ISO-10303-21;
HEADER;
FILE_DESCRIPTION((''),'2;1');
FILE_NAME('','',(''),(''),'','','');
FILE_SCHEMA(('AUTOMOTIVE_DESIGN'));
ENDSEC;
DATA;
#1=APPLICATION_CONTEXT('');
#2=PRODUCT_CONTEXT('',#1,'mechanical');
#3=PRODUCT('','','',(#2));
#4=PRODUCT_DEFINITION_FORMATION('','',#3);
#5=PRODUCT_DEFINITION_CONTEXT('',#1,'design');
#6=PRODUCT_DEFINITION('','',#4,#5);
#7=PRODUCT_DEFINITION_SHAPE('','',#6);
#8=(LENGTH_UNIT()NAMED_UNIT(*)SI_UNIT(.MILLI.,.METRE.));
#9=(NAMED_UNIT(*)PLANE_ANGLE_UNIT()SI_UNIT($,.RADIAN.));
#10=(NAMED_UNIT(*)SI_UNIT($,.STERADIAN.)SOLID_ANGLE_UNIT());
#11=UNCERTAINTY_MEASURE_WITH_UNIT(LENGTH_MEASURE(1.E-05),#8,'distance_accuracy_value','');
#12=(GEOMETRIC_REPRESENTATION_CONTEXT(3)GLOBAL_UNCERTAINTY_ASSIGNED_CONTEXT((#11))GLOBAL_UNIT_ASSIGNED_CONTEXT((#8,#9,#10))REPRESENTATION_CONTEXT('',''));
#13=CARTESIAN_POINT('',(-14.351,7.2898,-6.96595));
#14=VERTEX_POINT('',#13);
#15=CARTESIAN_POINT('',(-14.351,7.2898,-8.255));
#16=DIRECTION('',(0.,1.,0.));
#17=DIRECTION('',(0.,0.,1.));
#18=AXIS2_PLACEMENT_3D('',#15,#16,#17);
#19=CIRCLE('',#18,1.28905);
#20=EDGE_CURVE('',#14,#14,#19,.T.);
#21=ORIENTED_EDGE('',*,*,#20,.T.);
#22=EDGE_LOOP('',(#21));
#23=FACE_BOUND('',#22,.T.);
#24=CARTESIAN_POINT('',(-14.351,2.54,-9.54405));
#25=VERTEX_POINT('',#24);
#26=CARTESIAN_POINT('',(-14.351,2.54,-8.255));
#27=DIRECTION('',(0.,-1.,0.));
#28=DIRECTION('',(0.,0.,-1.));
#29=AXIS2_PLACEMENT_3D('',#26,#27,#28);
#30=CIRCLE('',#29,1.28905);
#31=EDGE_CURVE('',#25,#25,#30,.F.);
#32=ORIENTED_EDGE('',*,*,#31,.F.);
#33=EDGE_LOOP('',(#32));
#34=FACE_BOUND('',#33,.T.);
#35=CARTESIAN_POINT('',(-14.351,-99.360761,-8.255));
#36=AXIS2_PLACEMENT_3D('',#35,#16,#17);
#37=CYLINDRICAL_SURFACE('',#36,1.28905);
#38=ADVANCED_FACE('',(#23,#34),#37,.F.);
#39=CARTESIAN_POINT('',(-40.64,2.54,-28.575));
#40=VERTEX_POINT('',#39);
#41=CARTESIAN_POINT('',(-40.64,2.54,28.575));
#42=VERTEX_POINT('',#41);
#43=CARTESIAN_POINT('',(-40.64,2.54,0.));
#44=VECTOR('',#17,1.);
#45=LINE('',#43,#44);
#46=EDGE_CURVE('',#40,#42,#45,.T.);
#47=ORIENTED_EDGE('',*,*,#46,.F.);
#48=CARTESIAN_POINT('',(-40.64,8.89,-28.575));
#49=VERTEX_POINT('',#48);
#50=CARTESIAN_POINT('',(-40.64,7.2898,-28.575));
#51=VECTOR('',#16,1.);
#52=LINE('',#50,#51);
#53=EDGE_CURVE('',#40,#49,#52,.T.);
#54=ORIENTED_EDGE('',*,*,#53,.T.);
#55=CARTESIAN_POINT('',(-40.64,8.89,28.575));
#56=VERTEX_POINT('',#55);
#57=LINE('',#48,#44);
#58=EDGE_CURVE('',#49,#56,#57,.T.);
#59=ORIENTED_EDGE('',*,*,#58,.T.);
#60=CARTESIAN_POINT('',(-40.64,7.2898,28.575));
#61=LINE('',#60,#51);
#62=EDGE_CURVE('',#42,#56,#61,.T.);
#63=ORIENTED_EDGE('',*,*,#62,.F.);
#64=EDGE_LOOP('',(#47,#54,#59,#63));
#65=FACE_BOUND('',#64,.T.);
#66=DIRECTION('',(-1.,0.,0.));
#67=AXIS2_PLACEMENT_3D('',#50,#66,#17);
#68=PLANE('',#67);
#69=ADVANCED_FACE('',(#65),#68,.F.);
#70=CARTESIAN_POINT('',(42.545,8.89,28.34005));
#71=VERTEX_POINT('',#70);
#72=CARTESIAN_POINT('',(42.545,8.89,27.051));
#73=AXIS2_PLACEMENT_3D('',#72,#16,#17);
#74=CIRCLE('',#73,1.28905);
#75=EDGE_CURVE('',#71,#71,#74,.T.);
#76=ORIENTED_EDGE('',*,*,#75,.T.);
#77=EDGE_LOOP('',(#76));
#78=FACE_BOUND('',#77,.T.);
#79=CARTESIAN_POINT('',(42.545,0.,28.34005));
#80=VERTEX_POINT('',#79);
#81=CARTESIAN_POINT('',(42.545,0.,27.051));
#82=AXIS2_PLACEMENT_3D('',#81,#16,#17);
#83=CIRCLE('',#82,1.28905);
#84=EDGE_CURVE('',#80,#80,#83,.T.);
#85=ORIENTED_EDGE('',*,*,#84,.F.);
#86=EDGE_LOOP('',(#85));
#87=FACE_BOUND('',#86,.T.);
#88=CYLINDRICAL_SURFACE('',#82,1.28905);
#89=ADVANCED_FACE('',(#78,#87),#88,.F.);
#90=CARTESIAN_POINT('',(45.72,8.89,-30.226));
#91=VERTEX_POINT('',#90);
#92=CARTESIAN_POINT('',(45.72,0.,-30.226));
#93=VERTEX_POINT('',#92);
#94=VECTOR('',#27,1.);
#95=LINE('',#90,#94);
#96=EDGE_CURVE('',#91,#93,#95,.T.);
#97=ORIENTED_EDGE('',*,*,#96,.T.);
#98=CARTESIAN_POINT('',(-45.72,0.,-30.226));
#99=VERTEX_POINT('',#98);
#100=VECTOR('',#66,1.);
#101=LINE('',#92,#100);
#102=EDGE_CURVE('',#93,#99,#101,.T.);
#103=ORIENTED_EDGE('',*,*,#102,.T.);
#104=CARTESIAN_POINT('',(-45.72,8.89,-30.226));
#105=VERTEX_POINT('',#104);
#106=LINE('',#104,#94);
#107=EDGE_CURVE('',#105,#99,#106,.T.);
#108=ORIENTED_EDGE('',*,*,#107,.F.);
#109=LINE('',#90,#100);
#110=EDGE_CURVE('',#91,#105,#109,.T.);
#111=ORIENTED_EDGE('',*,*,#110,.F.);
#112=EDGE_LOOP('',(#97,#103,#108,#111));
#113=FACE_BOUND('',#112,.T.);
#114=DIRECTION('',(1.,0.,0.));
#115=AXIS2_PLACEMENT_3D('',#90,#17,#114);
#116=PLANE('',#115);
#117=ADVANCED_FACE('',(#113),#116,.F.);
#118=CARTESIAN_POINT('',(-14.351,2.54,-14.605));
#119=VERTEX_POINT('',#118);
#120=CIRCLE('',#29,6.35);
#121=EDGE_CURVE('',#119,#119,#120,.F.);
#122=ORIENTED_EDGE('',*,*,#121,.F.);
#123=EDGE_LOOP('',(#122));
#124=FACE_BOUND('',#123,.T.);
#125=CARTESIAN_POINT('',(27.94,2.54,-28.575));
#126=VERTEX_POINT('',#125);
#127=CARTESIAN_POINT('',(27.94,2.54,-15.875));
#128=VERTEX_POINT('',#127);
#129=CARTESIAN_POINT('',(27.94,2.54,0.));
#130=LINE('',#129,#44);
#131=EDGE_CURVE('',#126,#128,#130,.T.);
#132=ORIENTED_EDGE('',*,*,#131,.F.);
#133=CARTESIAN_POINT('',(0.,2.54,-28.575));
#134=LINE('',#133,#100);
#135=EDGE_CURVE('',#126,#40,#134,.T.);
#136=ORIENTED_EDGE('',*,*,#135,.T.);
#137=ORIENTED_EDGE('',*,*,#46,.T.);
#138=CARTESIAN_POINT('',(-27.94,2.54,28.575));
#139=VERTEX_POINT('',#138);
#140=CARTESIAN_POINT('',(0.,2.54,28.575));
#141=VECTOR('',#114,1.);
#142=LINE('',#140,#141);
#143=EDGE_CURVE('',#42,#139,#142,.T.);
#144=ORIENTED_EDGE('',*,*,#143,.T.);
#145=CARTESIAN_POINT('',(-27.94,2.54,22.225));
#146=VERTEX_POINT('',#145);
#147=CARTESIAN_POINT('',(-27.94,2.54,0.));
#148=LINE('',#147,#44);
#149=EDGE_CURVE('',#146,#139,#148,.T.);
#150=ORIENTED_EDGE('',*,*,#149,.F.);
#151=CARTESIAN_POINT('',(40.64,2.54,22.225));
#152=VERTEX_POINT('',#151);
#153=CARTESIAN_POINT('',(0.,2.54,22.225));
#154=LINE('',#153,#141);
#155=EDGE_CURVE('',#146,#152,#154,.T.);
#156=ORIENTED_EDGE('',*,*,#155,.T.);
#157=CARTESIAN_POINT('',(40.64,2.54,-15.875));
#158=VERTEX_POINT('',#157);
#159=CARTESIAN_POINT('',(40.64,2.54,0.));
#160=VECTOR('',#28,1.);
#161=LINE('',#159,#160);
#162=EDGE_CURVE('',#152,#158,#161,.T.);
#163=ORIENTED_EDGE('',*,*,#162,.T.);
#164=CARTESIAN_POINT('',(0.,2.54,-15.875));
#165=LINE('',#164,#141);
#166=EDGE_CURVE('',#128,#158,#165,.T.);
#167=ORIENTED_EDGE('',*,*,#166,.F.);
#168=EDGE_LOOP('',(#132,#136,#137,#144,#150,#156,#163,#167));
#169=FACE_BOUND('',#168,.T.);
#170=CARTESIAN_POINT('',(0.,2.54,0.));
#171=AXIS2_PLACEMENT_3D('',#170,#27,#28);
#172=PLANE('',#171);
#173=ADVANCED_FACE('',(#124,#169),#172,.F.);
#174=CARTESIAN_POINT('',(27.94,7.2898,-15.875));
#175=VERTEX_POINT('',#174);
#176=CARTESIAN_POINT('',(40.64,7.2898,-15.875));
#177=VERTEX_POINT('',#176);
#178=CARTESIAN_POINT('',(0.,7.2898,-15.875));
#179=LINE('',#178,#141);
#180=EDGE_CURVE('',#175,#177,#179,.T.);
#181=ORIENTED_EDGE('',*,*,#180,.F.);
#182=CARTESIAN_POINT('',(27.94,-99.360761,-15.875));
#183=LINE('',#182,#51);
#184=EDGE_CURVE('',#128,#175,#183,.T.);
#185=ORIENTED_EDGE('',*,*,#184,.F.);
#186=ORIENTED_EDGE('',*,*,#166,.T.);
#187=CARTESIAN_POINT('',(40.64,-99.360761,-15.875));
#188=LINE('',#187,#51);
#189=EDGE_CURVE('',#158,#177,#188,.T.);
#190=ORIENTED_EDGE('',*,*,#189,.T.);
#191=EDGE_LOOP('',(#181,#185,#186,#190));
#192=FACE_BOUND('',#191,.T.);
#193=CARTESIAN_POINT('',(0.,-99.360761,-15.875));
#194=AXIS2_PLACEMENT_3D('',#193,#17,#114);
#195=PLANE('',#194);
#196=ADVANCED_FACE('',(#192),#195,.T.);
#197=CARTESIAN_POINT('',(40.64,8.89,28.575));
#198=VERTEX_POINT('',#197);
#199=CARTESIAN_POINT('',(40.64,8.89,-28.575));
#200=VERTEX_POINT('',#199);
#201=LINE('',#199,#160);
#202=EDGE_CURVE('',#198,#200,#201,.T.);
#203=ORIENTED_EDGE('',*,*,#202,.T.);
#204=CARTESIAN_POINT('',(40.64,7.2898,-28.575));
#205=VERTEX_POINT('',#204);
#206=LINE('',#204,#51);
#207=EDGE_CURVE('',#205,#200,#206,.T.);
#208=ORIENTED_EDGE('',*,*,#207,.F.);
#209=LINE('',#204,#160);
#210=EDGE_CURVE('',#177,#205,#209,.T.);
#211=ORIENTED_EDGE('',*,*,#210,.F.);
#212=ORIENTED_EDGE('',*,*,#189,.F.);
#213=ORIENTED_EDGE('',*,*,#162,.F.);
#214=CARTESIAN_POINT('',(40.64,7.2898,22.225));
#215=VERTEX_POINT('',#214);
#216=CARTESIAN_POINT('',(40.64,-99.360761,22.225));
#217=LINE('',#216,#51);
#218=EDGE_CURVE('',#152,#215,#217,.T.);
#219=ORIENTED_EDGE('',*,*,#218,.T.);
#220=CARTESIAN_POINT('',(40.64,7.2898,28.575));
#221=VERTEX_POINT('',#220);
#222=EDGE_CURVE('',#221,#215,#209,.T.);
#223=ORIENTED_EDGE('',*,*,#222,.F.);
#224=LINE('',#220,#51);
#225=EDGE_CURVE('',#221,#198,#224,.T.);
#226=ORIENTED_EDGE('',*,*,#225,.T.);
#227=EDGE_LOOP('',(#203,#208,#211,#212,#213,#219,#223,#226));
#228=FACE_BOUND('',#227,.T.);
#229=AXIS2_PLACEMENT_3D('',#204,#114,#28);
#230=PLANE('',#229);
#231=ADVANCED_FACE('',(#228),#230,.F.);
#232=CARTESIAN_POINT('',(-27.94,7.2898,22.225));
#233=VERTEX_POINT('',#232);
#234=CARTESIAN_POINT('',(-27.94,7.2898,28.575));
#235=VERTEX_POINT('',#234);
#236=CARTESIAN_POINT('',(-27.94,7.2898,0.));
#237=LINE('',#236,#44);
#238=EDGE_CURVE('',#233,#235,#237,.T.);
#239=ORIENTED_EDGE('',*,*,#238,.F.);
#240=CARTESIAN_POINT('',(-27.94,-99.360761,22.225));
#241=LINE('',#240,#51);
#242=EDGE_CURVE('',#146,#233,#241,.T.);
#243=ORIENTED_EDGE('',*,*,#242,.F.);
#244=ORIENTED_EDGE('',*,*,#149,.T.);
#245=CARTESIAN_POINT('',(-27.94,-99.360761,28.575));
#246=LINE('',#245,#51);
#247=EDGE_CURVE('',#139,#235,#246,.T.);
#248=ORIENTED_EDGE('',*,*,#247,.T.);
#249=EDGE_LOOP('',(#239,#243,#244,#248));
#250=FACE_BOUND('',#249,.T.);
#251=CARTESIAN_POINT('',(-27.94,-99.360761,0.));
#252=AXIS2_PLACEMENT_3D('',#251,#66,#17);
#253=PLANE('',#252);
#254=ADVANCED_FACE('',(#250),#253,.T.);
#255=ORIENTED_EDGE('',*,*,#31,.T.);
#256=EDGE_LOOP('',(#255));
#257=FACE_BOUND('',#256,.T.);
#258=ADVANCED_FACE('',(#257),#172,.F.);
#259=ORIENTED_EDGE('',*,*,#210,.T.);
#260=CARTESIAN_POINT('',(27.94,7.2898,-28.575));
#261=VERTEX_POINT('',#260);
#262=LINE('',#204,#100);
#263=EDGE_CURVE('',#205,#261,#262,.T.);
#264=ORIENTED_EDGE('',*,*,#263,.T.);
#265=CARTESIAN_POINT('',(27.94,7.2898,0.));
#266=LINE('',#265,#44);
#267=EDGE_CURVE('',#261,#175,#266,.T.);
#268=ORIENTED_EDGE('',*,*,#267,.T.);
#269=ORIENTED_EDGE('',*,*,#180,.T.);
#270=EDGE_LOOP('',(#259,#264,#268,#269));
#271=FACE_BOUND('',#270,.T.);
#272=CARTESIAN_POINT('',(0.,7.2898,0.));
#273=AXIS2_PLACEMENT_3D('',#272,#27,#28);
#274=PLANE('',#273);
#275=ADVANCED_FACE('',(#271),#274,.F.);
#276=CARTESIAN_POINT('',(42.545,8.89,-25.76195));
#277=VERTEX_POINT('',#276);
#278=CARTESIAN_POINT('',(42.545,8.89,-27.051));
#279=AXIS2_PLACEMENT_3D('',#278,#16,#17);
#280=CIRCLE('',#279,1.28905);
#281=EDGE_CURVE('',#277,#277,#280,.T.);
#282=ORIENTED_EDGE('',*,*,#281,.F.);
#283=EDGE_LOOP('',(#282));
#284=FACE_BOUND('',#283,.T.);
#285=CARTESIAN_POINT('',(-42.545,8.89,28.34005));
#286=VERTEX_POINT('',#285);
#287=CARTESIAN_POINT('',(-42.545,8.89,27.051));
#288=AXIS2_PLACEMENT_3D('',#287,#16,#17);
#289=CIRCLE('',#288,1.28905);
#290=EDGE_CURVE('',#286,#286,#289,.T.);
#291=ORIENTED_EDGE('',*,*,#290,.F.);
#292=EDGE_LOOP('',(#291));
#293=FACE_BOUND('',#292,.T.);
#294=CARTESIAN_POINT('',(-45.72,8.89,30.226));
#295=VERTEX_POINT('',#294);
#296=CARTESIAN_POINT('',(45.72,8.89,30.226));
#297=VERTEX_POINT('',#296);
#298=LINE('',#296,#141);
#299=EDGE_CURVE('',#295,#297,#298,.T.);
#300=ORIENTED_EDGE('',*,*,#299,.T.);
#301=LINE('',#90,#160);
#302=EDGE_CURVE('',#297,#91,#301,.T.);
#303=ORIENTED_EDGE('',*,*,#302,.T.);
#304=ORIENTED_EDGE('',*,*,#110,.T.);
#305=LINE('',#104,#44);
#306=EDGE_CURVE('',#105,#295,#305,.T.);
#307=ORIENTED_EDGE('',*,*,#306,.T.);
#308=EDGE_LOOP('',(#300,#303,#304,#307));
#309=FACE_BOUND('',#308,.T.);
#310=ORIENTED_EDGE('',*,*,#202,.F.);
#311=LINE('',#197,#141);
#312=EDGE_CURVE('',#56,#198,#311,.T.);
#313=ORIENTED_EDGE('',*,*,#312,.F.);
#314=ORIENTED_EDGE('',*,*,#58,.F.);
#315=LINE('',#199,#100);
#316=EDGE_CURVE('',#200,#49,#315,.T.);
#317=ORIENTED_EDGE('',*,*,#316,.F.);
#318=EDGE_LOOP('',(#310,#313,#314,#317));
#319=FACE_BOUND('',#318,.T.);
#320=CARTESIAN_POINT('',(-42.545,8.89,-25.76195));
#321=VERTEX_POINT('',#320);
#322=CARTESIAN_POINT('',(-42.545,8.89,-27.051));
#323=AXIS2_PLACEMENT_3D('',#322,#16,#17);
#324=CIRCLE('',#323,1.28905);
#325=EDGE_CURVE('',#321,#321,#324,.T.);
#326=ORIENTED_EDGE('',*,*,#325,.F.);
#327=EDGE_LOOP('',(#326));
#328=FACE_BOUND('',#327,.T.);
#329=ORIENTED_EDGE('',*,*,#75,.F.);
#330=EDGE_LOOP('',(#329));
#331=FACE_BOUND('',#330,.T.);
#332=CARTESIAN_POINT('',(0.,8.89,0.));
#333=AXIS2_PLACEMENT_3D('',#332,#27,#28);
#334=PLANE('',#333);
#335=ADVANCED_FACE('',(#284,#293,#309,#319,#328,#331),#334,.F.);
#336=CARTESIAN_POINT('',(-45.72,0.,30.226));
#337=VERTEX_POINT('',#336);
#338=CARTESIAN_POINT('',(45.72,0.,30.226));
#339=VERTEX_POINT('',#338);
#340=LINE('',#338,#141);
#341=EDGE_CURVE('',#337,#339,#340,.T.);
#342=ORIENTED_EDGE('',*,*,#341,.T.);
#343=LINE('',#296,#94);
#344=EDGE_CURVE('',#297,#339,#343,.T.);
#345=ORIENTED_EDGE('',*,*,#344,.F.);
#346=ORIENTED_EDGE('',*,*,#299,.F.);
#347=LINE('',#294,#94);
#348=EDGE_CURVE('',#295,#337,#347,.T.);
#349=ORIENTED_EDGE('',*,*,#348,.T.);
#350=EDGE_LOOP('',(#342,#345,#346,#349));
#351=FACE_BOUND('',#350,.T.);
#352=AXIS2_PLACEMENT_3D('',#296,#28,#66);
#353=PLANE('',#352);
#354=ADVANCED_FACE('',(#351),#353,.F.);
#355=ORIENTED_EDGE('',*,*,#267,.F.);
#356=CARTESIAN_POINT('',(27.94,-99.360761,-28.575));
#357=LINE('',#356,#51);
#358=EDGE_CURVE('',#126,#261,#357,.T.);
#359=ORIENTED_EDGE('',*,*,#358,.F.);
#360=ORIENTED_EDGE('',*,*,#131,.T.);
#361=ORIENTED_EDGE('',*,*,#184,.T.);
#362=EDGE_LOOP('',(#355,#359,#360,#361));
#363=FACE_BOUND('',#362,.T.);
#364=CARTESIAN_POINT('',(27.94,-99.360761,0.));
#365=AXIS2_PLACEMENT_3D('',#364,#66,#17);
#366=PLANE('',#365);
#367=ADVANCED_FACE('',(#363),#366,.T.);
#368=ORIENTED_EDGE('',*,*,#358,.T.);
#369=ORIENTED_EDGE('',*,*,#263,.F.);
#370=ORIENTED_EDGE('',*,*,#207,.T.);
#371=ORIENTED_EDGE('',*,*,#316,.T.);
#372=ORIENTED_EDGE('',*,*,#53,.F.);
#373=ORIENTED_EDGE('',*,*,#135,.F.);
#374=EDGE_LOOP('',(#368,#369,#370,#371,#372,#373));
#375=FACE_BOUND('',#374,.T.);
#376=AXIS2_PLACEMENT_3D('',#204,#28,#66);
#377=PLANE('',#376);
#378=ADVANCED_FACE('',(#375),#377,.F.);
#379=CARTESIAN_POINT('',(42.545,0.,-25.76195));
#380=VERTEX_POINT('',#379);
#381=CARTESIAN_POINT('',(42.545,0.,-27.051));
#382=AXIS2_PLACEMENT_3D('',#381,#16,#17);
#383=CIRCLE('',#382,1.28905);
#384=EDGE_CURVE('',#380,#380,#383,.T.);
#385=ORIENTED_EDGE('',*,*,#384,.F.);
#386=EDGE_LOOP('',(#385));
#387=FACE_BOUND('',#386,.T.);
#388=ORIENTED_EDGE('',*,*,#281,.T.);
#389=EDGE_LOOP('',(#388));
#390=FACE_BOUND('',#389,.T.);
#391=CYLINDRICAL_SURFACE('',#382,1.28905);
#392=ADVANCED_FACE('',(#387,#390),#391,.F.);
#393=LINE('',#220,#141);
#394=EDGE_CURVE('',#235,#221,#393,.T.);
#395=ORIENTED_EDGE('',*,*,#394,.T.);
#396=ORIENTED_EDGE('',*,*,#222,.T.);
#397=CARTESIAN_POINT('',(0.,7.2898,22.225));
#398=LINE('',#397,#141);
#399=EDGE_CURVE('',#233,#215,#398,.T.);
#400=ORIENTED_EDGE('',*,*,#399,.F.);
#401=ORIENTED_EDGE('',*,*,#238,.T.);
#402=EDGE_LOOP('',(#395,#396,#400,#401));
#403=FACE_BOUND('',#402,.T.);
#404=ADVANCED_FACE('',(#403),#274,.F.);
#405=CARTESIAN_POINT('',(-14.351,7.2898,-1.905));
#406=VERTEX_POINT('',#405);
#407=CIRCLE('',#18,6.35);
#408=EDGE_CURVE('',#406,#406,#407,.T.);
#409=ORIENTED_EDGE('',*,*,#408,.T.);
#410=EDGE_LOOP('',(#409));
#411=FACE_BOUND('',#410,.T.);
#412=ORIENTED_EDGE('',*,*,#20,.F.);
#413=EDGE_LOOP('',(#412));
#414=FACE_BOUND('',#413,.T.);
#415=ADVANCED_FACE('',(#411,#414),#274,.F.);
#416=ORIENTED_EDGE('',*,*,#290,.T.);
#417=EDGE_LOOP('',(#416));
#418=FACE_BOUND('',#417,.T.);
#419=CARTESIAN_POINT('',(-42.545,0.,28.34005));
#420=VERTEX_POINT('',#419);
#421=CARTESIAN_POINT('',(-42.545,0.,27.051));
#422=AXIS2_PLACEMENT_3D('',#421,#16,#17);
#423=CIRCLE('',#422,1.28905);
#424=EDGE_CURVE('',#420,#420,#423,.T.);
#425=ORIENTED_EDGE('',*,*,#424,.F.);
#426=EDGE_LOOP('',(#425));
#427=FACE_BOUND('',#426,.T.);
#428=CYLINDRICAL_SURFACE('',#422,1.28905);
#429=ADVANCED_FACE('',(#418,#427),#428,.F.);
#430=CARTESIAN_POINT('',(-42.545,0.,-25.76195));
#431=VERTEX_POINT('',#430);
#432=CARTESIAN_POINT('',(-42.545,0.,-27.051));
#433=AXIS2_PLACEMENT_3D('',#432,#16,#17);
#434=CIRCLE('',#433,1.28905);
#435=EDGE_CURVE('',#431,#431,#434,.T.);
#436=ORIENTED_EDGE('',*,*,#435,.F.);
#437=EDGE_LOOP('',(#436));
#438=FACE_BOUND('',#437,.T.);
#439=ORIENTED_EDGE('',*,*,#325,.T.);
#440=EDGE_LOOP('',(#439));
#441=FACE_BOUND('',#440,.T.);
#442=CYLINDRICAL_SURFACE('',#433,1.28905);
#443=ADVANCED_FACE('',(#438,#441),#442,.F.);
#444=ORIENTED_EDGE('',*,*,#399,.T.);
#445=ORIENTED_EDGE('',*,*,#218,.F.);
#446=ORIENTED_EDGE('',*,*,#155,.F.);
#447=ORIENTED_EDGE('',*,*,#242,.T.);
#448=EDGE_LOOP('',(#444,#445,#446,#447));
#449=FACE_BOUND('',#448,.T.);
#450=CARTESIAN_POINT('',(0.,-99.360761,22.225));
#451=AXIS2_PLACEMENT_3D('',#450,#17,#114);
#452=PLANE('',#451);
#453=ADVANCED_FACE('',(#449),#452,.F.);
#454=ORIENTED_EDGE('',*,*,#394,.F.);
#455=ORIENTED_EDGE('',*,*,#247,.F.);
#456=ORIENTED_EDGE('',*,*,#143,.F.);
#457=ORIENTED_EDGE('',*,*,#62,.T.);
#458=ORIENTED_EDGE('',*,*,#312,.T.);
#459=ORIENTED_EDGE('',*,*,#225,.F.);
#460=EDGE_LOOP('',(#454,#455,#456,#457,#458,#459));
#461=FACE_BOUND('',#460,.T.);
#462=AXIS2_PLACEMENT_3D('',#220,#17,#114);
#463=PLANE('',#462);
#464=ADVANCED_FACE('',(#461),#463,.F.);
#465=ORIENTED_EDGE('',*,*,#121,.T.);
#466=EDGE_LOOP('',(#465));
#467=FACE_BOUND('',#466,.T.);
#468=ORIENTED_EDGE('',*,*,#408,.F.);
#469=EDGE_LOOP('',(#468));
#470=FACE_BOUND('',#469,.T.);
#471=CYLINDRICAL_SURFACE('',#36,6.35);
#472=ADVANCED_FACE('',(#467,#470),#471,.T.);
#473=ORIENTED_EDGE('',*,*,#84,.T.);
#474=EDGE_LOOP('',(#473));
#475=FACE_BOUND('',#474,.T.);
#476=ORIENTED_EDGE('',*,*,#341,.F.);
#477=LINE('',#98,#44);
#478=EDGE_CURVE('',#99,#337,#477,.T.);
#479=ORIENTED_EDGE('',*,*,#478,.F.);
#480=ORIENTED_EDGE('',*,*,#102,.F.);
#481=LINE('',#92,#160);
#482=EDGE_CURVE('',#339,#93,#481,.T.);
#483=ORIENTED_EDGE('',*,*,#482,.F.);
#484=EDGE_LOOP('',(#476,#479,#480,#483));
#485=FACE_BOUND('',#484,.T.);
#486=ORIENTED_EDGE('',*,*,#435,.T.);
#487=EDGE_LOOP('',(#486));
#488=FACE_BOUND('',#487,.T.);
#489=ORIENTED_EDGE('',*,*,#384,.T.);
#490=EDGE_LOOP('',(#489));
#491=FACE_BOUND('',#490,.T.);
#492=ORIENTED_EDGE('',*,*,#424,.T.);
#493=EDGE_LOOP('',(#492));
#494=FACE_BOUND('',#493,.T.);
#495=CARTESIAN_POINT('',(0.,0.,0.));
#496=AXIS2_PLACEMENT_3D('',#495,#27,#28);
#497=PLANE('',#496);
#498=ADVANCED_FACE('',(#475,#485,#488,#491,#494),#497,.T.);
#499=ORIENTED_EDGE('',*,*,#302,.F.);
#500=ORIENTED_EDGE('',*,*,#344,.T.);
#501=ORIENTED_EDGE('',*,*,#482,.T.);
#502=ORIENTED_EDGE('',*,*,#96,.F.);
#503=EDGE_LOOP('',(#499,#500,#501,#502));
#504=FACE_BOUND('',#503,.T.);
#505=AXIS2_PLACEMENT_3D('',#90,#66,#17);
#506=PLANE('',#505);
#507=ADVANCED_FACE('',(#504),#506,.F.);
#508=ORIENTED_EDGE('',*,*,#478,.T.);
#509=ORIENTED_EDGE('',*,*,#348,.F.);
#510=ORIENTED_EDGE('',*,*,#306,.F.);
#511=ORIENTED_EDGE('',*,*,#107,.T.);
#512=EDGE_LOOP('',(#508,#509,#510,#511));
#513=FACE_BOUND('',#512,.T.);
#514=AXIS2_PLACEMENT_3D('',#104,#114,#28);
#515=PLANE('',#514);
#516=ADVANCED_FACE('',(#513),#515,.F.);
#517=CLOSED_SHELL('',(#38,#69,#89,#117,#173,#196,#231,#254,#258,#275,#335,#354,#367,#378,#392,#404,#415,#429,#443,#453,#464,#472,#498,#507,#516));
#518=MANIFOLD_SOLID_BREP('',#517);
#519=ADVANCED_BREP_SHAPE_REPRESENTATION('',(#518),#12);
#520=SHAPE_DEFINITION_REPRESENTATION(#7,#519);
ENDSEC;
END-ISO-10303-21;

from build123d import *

# Parameters (mm, degrees)
SKETCH1_W           = 91.44
SKETCH1_H           = 60.452
BOSS_EXTRUDE1_DEPTH = 8.89
SKETCH2_W           = 81.28
SKETCH2_H           = 57.15
CUT_EXTRUDE1_DEPTH  = 1.6002
SKETCH3_R           = 6.35
SKETCH3_R_2         = 1.28905
CUT_EXTRUDE2_DEPTH  = 4.7498
SKETCH4_R           = 1.28905
CUT_EXTRUDE3_DEPTH  = 56.524423239


with BuildPart() as part:
    # Sketch1 → Boss-Extrude1 (new body)
    with BuildSketch(Plane(origin=(0, 0, 0), x_dir=(1, 0, 0), z_dir=(0, 1, 0))):
        Rectangle(SKETCH1_W, SKETCH1_H)
    extrude(amount=BOSS_EXTRUDE1_DEPTH)

    # Sketch2 → Cut-Extrude1 (cut)
    with BuildSketch(Plane(origin=(0, 8.89, 0), x_dir=(1, 0, 0), z_dir=(0, 1, 0))):
        Rectangle(SKETCH2_W, SKETCH2_H)
    extrude(amount=-CUT_EXTRUDE1_DEPTH, mode=Mode.SUBTRACT)

    # Sketch3 → Cut-Extrude2 (cut)
    with BuildSketch(Plane(origin=(0, 7.2898, 0), x_dir=(1, 0, 0), z_dir=(0, 1, 0))):
        Polygon((-40.64, 28.575), (27.94, 28.575), (27.94, 15.875), (40.64, 15.875), (40.64, -22.225), (-27.94, -22.225), (-27.94, -28.575), (-40.64, -28.575), (-40.64, -22.225), align=None)
        with Locations(Location((-14.351, 8.255, 0), (0, 0, 270))):
            Circle(SKETCH3_R, mode=Mode.SUBTRACT)
        with Locations(Location((-14.351, 8.255, 0), (0, 0, 270))):
            Circle(SKETCH3_R_2)
    extrude(amount=-CUT_EXTRUDE2_DEPTH, mode=Mode.SUBTRACT)

    # Sketch4 → Cut-Extrude3 (cut, through all)
    with BuildSketch(Plane(origin=(0, 8.89, 0), x_dir=(1, 0, 0), z_dir=(0, 1, 0))):
        with Locations(Location((-42.545, 27.051, 0), (0, 0, 270))):
            Circle(SKETCH4_R)
        with Locations(Location((-42.545, -27.051, 0), (0, 0, 270))):
            Circle(SKETCH4_R)
        with Locations(Location((42.545, -27.051, 0), (0, 0, 270))):
            Circle(SKETCH4_R)
        with Locations(Location((42.545, 27.051, 0), (0, 0, 270))):
            Circle(SKETCH4_R)
    extrude(amount=-CUT_EXTRUDE3_DEPTH, mode=Mode.SUBTRACT)


solid = part.part
